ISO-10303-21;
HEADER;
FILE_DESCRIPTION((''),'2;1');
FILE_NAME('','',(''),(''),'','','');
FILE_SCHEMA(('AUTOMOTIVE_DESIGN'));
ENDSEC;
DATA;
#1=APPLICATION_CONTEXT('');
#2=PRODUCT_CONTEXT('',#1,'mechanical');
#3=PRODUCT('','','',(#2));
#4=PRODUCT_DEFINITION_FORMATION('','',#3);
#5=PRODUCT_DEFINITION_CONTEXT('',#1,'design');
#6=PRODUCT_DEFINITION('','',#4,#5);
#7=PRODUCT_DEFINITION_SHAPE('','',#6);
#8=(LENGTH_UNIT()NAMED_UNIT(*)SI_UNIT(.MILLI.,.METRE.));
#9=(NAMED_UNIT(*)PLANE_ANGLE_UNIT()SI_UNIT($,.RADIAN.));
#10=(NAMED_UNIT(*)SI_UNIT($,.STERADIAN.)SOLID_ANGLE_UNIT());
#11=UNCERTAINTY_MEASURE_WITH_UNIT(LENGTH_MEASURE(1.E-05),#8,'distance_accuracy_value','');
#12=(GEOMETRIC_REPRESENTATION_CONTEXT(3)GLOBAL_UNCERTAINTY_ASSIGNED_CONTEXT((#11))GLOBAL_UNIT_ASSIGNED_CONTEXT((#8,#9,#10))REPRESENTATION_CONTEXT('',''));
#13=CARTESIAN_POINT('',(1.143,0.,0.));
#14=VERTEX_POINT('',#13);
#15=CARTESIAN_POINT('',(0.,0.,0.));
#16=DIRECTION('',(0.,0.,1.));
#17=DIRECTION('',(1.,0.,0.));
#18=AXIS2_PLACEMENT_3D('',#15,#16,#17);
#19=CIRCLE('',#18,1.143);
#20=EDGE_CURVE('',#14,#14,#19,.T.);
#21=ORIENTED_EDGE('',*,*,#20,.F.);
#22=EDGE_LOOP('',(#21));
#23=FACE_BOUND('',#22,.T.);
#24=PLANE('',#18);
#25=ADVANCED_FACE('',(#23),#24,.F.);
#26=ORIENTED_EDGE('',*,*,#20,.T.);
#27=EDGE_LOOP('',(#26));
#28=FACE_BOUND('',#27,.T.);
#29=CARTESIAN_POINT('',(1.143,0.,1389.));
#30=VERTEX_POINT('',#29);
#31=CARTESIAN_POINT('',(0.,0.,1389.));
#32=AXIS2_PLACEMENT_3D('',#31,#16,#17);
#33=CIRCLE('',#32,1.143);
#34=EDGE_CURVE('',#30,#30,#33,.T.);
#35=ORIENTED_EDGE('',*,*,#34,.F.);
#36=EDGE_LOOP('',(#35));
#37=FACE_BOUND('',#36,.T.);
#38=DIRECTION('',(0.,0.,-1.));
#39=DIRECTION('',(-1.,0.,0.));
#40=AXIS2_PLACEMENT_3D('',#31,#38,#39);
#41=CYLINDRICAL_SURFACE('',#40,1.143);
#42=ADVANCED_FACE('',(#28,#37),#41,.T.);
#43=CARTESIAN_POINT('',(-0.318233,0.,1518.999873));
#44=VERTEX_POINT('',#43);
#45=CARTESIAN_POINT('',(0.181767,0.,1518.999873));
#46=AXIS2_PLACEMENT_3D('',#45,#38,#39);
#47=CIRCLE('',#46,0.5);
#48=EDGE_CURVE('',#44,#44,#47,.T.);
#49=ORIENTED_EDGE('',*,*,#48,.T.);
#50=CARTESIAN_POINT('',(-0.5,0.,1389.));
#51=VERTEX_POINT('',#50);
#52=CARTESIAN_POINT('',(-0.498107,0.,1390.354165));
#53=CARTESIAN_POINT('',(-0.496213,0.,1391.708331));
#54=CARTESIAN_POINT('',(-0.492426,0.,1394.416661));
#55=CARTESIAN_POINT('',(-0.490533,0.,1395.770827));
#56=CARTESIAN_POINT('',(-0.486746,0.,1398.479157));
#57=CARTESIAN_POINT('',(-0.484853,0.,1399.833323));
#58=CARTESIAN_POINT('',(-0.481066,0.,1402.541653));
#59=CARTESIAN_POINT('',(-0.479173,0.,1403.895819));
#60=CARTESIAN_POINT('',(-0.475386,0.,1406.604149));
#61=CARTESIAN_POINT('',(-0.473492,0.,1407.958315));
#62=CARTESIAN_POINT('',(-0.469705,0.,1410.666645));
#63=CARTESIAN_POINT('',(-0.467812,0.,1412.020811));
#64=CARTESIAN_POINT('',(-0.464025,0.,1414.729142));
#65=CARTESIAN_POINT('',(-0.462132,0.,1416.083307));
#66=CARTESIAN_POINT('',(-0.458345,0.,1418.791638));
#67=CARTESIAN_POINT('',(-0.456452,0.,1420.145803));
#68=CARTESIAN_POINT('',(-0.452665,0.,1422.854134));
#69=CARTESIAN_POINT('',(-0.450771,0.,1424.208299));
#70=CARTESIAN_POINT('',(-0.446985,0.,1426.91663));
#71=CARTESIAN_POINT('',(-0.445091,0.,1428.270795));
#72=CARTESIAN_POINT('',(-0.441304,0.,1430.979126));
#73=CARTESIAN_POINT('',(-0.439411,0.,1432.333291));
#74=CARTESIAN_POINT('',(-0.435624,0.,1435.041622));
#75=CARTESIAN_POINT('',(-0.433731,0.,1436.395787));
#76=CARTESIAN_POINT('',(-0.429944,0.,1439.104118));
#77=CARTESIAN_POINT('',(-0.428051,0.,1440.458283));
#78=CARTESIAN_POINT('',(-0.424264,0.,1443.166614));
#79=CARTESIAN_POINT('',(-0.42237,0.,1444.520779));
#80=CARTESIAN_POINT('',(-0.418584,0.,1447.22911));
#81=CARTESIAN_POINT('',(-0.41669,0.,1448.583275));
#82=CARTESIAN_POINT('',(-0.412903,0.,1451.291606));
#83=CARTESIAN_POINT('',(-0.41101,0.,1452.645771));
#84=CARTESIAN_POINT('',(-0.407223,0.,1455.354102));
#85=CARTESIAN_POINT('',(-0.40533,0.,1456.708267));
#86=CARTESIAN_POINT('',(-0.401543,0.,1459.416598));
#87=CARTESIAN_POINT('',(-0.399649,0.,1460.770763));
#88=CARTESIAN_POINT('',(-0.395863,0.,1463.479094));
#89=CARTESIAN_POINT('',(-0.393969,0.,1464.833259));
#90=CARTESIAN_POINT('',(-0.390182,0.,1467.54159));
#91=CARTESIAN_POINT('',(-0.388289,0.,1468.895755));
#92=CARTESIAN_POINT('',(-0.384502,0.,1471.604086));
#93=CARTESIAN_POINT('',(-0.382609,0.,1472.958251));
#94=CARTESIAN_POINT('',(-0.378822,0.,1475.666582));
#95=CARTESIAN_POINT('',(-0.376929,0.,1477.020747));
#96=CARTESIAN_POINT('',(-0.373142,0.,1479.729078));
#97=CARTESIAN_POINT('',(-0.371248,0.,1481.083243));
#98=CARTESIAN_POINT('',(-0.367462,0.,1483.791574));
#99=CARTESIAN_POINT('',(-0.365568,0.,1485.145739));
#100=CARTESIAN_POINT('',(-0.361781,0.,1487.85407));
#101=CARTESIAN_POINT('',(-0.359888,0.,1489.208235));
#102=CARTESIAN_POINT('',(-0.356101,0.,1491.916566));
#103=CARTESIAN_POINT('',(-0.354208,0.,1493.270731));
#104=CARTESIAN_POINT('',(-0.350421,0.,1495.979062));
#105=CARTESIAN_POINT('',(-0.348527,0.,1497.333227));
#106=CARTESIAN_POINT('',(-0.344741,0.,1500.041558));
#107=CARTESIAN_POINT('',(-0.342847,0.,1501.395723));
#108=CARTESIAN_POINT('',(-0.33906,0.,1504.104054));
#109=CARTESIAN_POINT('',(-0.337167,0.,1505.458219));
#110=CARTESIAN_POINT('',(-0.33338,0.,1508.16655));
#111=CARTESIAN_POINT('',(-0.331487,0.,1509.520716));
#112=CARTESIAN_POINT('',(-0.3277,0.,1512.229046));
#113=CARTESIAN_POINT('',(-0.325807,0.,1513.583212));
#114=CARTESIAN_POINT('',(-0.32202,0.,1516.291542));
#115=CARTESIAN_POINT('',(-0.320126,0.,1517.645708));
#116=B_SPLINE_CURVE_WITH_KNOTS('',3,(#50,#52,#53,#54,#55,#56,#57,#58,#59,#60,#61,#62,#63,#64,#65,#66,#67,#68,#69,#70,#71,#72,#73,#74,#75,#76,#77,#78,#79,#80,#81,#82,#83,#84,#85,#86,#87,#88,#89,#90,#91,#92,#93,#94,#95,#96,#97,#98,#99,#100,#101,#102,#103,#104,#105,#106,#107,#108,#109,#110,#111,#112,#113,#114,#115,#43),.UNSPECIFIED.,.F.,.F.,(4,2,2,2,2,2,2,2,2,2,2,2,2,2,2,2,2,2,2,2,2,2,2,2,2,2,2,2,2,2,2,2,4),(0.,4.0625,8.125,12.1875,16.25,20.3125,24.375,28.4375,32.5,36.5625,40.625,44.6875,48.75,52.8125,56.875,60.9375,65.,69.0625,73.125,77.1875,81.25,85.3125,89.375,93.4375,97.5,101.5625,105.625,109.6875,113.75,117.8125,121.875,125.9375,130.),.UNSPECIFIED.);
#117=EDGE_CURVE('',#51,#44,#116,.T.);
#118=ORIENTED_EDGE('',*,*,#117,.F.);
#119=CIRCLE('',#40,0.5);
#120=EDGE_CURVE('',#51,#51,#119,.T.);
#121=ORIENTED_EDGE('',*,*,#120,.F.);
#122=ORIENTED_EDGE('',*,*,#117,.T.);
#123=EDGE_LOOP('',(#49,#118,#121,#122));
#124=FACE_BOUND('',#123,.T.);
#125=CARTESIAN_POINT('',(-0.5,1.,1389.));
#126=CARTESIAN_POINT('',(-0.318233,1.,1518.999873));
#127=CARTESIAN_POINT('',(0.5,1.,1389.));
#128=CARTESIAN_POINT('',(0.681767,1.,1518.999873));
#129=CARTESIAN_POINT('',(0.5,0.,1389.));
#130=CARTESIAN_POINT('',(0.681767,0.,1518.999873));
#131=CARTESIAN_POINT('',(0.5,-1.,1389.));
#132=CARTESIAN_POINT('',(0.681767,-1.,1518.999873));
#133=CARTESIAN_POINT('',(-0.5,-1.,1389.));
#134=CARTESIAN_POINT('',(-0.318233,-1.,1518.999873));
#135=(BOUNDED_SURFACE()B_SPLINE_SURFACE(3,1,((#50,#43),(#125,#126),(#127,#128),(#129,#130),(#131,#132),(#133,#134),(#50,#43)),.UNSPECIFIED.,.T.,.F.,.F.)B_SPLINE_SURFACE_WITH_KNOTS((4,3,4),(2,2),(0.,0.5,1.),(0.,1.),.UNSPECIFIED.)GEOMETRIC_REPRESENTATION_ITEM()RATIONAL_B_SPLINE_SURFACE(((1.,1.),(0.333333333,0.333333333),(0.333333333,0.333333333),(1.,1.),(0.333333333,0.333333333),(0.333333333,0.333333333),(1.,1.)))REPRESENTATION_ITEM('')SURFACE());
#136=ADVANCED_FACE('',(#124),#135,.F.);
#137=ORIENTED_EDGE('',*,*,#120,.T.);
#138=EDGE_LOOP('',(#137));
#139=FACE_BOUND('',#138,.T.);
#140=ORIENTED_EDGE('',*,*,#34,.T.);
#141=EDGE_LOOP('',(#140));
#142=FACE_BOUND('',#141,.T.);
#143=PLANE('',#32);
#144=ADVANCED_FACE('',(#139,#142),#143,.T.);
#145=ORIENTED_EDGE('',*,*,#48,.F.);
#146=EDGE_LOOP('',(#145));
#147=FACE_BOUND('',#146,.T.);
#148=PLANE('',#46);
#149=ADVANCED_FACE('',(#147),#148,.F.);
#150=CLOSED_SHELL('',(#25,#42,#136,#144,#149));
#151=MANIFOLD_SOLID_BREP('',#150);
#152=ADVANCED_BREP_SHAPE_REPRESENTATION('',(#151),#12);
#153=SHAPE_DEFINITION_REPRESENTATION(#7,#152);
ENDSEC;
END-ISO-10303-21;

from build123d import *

# Parameters (mm, degrees)
SKETCH1_R           = 1.143
BOSS_EXTRUDE1_DEPTH = 1389
SKETCH4_R           = 0.5


with BuildPart() as part:
    # Sketch1 → Boss-Extrude1 (new body)
    with BuildSketch(Plane.XY):
        Circle(SKETCH1_R)
    extrude(amount=BOSS_EXTRUDE1_DEPTH)

    # Sweep2: sweep along a curve in space
    with BuildLine() as sweep2_path:
        add(Edge.make_bspline(
            [(0, 0, 1389), (0.18176705, 0, 1518.999872926)],
            knots=[0, 0, 1, 1], degree=1))
    # Sketch4 → Sweep2 (sweep)
    with BuildSketch(Plane(origin=(0, 0, 1389), x_dir=(-1, 0, 0), z_dir=(0, 0, -1))):
        Circle(SKETCH4_R)
    sweep(path=sweep2_path.line)


solid = part.part
